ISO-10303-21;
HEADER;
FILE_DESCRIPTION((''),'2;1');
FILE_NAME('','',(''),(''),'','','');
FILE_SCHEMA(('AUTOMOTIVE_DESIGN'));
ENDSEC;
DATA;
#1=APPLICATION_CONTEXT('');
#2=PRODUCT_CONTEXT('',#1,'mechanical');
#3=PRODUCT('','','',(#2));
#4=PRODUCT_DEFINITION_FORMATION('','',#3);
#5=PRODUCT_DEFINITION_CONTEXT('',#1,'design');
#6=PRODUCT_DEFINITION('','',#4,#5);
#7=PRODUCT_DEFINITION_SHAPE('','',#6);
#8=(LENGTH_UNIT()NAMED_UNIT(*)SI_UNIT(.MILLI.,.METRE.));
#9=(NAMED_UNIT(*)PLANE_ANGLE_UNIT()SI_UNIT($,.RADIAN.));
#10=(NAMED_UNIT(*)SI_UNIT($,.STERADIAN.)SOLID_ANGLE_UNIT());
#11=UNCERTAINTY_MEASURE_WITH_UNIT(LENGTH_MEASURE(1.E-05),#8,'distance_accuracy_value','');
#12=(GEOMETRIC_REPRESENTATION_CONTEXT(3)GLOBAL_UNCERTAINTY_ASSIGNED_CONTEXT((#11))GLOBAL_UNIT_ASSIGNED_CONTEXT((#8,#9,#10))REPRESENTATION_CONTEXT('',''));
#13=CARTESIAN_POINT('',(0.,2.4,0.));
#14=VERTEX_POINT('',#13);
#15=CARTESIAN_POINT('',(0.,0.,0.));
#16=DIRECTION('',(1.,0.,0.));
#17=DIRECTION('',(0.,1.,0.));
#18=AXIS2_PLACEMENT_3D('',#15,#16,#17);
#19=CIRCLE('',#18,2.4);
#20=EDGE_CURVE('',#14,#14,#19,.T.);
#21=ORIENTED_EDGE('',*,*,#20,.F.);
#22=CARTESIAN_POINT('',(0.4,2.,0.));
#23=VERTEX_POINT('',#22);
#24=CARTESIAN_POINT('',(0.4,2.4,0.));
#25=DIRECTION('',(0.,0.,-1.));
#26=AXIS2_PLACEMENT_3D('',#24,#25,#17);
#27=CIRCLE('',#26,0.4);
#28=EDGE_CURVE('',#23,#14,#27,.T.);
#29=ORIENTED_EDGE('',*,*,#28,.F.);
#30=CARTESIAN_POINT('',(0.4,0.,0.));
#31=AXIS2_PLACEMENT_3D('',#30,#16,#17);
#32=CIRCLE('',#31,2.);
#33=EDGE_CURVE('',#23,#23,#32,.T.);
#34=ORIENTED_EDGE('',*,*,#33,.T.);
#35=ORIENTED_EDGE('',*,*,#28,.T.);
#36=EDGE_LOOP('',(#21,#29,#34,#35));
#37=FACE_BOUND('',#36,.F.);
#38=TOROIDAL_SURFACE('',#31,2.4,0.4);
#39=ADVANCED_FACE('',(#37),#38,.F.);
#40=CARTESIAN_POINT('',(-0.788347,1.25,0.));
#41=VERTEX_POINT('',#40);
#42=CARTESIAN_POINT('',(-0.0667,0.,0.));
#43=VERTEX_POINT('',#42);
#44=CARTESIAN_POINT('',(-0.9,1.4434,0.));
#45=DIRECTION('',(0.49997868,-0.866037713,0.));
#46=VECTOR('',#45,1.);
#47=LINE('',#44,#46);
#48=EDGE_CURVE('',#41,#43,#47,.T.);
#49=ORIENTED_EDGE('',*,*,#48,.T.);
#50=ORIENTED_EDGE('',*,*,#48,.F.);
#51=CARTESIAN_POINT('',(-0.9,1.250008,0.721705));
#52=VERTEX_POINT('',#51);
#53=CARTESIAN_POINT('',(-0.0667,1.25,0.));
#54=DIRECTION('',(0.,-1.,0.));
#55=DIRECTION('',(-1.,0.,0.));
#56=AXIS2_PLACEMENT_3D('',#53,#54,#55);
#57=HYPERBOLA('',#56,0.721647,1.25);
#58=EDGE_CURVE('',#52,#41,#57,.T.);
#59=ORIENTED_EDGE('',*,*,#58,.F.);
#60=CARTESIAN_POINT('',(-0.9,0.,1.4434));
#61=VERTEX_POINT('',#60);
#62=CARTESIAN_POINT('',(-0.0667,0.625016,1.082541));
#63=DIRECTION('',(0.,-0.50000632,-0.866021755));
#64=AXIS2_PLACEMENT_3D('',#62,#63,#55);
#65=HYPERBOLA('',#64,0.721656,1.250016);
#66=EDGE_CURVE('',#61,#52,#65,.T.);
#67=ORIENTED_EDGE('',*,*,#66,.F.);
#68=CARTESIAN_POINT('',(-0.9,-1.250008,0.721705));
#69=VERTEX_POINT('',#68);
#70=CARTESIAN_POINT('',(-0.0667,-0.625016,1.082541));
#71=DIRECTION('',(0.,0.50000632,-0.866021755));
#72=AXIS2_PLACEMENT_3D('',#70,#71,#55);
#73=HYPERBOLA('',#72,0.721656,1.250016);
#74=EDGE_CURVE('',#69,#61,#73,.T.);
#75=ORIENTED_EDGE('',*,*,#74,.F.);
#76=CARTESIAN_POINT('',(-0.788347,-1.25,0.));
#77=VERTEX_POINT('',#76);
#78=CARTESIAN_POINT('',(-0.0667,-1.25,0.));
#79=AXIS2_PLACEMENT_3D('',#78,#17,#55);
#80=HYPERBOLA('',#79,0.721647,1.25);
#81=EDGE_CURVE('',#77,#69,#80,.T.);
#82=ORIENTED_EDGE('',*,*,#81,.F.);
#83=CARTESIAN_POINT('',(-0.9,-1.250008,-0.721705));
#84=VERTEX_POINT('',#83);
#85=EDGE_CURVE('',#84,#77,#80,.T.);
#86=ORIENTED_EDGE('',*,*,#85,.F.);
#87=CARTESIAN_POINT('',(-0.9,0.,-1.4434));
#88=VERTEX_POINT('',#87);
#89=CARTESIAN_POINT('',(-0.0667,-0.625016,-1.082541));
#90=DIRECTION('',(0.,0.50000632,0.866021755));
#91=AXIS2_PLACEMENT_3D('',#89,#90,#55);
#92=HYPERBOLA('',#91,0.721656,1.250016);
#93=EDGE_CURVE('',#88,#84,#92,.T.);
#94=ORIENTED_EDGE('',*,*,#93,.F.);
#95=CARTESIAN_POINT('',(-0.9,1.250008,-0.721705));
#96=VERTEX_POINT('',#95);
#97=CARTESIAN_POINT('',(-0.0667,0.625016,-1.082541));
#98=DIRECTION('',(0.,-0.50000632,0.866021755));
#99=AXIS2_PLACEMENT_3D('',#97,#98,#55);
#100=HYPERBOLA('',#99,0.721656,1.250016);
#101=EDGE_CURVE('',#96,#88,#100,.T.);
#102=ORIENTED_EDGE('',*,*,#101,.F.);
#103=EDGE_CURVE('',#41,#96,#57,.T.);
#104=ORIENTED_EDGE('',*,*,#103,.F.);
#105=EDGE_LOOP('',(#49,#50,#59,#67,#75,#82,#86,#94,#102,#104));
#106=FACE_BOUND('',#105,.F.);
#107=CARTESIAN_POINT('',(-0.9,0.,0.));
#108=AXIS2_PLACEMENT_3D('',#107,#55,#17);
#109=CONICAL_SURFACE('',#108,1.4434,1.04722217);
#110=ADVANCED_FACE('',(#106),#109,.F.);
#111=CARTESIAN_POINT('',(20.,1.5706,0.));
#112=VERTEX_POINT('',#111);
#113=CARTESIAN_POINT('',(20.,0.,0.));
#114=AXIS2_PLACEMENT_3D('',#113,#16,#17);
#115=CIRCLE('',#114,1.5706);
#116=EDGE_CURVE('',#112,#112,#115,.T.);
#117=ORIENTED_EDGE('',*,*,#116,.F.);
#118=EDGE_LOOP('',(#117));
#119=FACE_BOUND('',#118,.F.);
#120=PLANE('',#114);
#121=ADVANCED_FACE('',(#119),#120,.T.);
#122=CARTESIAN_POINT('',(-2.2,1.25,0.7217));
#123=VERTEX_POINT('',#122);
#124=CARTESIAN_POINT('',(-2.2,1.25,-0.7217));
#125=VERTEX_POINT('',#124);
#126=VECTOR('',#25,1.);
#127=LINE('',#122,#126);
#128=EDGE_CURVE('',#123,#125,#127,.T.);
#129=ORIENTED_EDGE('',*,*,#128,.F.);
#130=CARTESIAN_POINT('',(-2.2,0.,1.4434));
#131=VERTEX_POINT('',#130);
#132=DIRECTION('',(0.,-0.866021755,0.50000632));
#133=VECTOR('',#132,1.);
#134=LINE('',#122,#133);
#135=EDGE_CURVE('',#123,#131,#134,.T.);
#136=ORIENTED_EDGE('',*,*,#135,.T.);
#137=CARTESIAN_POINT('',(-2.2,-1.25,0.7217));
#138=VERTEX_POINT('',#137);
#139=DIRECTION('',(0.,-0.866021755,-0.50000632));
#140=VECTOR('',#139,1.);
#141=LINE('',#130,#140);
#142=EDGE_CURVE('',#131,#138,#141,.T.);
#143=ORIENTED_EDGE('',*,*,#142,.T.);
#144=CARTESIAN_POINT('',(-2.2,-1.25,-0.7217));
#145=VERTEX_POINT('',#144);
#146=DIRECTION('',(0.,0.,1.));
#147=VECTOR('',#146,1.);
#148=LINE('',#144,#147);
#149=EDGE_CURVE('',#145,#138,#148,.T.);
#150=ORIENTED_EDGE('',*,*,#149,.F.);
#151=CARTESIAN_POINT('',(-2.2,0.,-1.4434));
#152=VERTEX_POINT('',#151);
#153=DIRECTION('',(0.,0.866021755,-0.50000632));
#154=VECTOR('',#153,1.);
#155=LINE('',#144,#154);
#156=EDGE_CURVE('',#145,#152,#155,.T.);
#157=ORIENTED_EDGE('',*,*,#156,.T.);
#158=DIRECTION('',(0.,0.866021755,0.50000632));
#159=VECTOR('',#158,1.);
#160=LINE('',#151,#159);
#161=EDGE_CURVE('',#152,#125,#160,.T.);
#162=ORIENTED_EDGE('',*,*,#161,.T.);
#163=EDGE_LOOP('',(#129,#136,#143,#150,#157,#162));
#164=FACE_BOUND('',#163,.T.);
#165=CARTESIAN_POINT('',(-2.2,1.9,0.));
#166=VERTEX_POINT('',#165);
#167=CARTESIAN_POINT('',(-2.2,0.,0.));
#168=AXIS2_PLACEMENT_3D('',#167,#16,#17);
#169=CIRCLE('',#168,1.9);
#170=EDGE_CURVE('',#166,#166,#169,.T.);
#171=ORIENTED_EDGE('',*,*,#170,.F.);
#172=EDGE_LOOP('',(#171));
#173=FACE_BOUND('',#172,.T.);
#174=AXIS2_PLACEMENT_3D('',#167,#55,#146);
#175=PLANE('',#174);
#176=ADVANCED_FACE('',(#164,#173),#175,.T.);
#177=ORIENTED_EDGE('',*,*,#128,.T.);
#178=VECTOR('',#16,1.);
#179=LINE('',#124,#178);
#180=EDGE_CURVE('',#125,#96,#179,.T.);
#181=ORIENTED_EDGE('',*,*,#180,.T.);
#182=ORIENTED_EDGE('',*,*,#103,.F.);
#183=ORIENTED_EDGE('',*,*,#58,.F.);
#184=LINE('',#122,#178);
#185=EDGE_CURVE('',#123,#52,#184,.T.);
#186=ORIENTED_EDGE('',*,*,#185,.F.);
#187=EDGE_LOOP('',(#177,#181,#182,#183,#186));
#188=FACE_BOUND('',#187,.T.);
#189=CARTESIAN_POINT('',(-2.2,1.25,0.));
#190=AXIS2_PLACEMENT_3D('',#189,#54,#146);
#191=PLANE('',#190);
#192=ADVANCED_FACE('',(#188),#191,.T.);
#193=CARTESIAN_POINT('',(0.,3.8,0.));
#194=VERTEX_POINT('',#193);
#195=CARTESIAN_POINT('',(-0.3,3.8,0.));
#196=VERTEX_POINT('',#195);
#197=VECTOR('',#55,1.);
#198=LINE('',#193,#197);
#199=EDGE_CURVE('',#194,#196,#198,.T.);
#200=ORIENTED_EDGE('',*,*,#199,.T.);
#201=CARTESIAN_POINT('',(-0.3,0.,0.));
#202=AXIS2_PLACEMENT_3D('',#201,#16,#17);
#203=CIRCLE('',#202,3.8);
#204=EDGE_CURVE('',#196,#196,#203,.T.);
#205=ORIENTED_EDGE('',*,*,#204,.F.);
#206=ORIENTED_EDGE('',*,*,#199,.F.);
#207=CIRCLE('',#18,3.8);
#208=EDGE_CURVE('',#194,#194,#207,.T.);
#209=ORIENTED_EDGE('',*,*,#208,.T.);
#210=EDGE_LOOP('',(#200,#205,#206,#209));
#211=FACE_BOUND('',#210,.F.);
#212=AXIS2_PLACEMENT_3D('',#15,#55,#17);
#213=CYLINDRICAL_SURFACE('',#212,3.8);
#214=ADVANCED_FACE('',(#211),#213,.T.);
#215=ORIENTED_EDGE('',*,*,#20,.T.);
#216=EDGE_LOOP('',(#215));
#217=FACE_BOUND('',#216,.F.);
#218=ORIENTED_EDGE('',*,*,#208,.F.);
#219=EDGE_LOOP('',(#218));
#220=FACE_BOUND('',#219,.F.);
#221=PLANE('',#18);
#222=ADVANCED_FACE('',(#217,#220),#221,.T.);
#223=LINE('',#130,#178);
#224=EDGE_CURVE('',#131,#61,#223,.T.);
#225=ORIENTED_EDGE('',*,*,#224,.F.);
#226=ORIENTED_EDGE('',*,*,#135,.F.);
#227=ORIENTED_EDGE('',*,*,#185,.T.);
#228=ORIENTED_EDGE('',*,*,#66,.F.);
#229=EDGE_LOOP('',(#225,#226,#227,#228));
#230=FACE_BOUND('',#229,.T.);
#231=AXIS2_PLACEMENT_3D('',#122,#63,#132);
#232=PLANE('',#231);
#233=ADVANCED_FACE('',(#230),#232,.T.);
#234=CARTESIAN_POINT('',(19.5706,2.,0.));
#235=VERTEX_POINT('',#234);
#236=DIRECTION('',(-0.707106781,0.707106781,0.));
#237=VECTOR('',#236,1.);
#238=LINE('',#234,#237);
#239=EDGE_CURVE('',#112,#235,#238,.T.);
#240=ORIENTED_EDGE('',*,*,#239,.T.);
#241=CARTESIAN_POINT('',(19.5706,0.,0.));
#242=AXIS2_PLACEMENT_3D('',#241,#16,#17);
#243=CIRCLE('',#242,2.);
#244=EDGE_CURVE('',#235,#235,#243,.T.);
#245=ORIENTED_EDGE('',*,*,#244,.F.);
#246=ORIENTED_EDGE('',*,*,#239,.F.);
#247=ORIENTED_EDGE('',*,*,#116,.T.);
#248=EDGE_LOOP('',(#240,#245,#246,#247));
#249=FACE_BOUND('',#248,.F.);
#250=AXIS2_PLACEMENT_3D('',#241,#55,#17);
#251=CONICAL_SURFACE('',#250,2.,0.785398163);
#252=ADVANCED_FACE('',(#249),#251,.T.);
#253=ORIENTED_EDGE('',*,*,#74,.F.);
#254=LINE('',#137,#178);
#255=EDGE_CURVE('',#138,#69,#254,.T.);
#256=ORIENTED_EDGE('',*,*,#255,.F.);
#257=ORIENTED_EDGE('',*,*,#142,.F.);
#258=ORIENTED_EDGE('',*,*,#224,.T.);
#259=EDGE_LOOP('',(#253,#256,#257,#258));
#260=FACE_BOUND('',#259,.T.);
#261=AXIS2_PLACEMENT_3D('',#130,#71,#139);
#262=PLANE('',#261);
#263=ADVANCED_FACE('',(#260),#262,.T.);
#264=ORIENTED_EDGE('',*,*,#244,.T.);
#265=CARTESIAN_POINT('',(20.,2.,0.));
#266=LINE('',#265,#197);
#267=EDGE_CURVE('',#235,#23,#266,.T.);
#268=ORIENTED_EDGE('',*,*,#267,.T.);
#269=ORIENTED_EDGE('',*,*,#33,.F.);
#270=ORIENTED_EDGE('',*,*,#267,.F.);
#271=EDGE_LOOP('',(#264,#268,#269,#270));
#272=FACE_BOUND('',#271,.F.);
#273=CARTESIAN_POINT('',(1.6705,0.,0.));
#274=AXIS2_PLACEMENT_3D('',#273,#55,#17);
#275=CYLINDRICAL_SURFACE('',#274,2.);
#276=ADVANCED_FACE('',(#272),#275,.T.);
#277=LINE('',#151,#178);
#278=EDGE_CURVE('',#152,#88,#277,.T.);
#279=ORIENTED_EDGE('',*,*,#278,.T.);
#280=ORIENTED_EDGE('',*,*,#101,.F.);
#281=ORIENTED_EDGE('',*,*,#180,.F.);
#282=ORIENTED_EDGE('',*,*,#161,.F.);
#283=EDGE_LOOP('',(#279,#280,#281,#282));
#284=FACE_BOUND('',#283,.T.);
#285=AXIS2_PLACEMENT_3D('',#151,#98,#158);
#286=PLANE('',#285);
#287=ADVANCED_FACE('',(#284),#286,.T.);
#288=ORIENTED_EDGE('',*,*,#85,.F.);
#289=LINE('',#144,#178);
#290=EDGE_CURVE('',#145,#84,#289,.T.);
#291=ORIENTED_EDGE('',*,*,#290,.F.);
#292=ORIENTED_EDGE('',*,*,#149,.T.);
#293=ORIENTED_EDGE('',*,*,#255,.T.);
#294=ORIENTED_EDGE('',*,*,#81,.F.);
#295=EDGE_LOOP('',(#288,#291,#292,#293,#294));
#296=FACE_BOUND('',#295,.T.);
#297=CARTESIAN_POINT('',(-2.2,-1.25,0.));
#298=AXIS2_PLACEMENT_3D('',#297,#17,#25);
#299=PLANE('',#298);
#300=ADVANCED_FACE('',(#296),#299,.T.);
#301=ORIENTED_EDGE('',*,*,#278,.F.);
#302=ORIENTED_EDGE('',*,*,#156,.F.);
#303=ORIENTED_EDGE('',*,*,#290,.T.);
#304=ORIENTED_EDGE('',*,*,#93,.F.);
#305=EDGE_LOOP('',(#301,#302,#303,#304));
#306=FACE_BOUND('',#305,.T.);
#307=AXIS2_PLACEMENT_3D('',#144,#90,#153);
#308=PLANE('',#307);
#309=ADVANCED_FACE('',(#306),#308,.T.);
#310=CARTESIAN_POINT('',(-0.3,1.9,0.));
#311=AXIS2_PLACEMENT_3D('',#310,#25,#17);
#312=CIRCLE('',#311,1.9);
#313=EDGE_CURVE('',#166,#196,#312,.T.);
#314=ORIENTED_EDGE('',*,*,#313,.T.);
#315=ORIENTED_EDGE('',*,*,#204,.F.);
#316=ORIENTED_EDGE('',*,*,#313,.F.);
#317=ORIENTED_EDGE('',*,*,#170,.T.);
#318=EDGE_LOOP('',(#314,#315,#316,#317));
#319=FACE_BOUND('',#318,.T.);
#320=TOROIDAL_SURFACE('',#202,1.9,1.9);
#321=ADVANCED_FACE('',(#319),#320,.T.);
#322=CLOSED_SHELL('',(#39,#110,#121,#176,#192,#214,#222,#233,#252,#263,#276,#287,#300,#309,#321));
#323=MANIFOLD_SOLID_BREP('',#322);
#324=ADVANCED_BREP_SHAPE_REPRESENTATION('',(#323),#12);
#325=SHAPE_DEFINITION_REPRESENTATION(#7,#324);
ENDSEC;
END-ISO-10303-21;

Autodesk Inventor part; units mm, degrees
ref_plane "YZ Plane" through (0, 0, 0) normal (1, 0, 0) x (0, 1, 0)
ref_plane "XZ Plane" through (0, 0, 0) normal (0, 1, 0) x (-1, 0, 0)
sketch "Sketch1" plane through (0, 0, 0) normal (0, 0, 1) x (1, 0, 0)
  line L0 (-0.0667, 0) -> (20, 0)
  line L1 (20, 0) -> (20, 2)
  line L2 (20, 2) -> (2.1, 2)
  line L3 (2.1, 2) -> (1.6705, 2)
  line L4 (1.6705, 2) -> (0, 2)
  line L5 (0, 2) -> (0, 3.8)
  line L6 (0, 3.8) -> (-2.2, 3.8)
  line L7 (-2.2, 3.8) -> (-2.2, 1.4434)
  line L8 (-2.2, 1.4434) -> (-0.9, 1.4434)
  line L9 (-0.9, 1.4434) -> (-0.0667, 0)
  line L10 (-6.64, 0) -> (24.44, 0) projected
  line L11 (0, -0.76) -> (0, 4.56) projected
  line L12 (2.1, 2) -> (0, 2) construction
  dimension "d1" = 17.9
  dimension "d2" = 0.4295
  dimension "d3" = 2.2
  dimension "d4" = 1.3
  dimension "d5" = 60
  dimension "d6" = 4
  dimension "d7" = 4
  dimension "d8" = 2.8868
  dimension "d9" = 7.6
  dimension "d26" = 20
revolve "Body" add sketch "Sketch1" angle 360 about axis through (-0.0667, 0, 0) along (1, 0, 0)
sketch "Sketch2" plane through (-2.2, 0, 0) normal (-1, 0, 0) x (0, 0, 1)
  circle A0 centre (0, 0) radius 1.4434 projected
  line L0 (0, -5.32) -> (0, 5.32) projected
  line L1 (-5.32, 0) -> (5.32, 0) projected
  line L2 (1.4434, 0) -> (0.7217, -1.25)
  line L3 (0.7217, -1.25) -> (-0.7217, -1.25)
  line L4 (-0.7217, -1.25) -> (-1.4434, 0)
  line L5 (-1.4434, 0) -> (-0.7217, 1.25)
  line L6 (-0.7217, 1.25) -> (0.7217, 1.25)
  line L7 (0.7217, 1.25) -> (1.4434, 0)
  point P0 (0, 0)
extrude "Slot" add sketch "Sketch2" against normal up to next contours L7 A0 | A0 L2 | L6 L0 A0 | A0 L0 L3 | L0 L6 A0 | A0 L3 L0 | L4 A0 | A0 L5
fillet "Fillet1" radius 1.9 1 edges at (-2.2, -3.8, 0)
thread "Thread" size "M4x0.7" class "6g" standard "ISO Metric profile" length 17.9
chamfer "Chamfer1" distance 0.4294 distance2 0.4294 1 edges at (20, -2, 0) measured on face at (20, 0.527, -0.2661)
ref_plane "Work Plane1" through (29, 0, 0) normal (0, -1, 0) x (1, 0, 0)
fillet "Fillet2" radius 0.4 1 edges at (0, -2, 0)
equation "\"d1\" = GEL"
equation "\"d3\" = KOH"
equation "\"d4\" = INTI"
equation "\"d6\" = GD"
equation "\"d7\" = BDM"
equation "\"d8\" = 1.1547 * SW"
equation "\"d9\" = KOD"
equation "\"d26\" = NLG"
equation "\"d30\" = R"
equation "\"d17\" = RR"
equation "\"d13\" = GEL"
equation "\"d15\" = -0.5 * SPD + 0.5 * GD"
equation "\"d16\" = GUL"
equation "\"GD\" = NND"
equation "\"NLG\" = 20"
equation "\"GEL\" = 17.9"
equation "\"KOD\" = 7.6"
equation "\"KOH\" = 2.2"
equation "\"INTI\" = 1.3"
equation "\"GAL\" = 0.61345 * PTC"
equation "\"GUL\" = 0.61345 * PTC"
equation "\"BDM\" = NND"
equation "\"SW\" = 2.5"
equation "\"RR\" = 1.9"
equation "\"SPD\" = NND - 1.2269 * PTC"
equation "\"R\" = 0.4"
equation "\"TOA\" = 30deg"
equation "\"GD1\" = THREADDIA - 1.2269 * PTC"
equation "\"THREADDIA\" = 4"
equation "\"PTC\" = 0.7"
equation "\"NND\" = 4"
equation "\"KOH1\" = 0.3"
equation "\"E0\" = 2.873"
properties part number "ISO 7380-1 - M4 x 20" material "Steel"
